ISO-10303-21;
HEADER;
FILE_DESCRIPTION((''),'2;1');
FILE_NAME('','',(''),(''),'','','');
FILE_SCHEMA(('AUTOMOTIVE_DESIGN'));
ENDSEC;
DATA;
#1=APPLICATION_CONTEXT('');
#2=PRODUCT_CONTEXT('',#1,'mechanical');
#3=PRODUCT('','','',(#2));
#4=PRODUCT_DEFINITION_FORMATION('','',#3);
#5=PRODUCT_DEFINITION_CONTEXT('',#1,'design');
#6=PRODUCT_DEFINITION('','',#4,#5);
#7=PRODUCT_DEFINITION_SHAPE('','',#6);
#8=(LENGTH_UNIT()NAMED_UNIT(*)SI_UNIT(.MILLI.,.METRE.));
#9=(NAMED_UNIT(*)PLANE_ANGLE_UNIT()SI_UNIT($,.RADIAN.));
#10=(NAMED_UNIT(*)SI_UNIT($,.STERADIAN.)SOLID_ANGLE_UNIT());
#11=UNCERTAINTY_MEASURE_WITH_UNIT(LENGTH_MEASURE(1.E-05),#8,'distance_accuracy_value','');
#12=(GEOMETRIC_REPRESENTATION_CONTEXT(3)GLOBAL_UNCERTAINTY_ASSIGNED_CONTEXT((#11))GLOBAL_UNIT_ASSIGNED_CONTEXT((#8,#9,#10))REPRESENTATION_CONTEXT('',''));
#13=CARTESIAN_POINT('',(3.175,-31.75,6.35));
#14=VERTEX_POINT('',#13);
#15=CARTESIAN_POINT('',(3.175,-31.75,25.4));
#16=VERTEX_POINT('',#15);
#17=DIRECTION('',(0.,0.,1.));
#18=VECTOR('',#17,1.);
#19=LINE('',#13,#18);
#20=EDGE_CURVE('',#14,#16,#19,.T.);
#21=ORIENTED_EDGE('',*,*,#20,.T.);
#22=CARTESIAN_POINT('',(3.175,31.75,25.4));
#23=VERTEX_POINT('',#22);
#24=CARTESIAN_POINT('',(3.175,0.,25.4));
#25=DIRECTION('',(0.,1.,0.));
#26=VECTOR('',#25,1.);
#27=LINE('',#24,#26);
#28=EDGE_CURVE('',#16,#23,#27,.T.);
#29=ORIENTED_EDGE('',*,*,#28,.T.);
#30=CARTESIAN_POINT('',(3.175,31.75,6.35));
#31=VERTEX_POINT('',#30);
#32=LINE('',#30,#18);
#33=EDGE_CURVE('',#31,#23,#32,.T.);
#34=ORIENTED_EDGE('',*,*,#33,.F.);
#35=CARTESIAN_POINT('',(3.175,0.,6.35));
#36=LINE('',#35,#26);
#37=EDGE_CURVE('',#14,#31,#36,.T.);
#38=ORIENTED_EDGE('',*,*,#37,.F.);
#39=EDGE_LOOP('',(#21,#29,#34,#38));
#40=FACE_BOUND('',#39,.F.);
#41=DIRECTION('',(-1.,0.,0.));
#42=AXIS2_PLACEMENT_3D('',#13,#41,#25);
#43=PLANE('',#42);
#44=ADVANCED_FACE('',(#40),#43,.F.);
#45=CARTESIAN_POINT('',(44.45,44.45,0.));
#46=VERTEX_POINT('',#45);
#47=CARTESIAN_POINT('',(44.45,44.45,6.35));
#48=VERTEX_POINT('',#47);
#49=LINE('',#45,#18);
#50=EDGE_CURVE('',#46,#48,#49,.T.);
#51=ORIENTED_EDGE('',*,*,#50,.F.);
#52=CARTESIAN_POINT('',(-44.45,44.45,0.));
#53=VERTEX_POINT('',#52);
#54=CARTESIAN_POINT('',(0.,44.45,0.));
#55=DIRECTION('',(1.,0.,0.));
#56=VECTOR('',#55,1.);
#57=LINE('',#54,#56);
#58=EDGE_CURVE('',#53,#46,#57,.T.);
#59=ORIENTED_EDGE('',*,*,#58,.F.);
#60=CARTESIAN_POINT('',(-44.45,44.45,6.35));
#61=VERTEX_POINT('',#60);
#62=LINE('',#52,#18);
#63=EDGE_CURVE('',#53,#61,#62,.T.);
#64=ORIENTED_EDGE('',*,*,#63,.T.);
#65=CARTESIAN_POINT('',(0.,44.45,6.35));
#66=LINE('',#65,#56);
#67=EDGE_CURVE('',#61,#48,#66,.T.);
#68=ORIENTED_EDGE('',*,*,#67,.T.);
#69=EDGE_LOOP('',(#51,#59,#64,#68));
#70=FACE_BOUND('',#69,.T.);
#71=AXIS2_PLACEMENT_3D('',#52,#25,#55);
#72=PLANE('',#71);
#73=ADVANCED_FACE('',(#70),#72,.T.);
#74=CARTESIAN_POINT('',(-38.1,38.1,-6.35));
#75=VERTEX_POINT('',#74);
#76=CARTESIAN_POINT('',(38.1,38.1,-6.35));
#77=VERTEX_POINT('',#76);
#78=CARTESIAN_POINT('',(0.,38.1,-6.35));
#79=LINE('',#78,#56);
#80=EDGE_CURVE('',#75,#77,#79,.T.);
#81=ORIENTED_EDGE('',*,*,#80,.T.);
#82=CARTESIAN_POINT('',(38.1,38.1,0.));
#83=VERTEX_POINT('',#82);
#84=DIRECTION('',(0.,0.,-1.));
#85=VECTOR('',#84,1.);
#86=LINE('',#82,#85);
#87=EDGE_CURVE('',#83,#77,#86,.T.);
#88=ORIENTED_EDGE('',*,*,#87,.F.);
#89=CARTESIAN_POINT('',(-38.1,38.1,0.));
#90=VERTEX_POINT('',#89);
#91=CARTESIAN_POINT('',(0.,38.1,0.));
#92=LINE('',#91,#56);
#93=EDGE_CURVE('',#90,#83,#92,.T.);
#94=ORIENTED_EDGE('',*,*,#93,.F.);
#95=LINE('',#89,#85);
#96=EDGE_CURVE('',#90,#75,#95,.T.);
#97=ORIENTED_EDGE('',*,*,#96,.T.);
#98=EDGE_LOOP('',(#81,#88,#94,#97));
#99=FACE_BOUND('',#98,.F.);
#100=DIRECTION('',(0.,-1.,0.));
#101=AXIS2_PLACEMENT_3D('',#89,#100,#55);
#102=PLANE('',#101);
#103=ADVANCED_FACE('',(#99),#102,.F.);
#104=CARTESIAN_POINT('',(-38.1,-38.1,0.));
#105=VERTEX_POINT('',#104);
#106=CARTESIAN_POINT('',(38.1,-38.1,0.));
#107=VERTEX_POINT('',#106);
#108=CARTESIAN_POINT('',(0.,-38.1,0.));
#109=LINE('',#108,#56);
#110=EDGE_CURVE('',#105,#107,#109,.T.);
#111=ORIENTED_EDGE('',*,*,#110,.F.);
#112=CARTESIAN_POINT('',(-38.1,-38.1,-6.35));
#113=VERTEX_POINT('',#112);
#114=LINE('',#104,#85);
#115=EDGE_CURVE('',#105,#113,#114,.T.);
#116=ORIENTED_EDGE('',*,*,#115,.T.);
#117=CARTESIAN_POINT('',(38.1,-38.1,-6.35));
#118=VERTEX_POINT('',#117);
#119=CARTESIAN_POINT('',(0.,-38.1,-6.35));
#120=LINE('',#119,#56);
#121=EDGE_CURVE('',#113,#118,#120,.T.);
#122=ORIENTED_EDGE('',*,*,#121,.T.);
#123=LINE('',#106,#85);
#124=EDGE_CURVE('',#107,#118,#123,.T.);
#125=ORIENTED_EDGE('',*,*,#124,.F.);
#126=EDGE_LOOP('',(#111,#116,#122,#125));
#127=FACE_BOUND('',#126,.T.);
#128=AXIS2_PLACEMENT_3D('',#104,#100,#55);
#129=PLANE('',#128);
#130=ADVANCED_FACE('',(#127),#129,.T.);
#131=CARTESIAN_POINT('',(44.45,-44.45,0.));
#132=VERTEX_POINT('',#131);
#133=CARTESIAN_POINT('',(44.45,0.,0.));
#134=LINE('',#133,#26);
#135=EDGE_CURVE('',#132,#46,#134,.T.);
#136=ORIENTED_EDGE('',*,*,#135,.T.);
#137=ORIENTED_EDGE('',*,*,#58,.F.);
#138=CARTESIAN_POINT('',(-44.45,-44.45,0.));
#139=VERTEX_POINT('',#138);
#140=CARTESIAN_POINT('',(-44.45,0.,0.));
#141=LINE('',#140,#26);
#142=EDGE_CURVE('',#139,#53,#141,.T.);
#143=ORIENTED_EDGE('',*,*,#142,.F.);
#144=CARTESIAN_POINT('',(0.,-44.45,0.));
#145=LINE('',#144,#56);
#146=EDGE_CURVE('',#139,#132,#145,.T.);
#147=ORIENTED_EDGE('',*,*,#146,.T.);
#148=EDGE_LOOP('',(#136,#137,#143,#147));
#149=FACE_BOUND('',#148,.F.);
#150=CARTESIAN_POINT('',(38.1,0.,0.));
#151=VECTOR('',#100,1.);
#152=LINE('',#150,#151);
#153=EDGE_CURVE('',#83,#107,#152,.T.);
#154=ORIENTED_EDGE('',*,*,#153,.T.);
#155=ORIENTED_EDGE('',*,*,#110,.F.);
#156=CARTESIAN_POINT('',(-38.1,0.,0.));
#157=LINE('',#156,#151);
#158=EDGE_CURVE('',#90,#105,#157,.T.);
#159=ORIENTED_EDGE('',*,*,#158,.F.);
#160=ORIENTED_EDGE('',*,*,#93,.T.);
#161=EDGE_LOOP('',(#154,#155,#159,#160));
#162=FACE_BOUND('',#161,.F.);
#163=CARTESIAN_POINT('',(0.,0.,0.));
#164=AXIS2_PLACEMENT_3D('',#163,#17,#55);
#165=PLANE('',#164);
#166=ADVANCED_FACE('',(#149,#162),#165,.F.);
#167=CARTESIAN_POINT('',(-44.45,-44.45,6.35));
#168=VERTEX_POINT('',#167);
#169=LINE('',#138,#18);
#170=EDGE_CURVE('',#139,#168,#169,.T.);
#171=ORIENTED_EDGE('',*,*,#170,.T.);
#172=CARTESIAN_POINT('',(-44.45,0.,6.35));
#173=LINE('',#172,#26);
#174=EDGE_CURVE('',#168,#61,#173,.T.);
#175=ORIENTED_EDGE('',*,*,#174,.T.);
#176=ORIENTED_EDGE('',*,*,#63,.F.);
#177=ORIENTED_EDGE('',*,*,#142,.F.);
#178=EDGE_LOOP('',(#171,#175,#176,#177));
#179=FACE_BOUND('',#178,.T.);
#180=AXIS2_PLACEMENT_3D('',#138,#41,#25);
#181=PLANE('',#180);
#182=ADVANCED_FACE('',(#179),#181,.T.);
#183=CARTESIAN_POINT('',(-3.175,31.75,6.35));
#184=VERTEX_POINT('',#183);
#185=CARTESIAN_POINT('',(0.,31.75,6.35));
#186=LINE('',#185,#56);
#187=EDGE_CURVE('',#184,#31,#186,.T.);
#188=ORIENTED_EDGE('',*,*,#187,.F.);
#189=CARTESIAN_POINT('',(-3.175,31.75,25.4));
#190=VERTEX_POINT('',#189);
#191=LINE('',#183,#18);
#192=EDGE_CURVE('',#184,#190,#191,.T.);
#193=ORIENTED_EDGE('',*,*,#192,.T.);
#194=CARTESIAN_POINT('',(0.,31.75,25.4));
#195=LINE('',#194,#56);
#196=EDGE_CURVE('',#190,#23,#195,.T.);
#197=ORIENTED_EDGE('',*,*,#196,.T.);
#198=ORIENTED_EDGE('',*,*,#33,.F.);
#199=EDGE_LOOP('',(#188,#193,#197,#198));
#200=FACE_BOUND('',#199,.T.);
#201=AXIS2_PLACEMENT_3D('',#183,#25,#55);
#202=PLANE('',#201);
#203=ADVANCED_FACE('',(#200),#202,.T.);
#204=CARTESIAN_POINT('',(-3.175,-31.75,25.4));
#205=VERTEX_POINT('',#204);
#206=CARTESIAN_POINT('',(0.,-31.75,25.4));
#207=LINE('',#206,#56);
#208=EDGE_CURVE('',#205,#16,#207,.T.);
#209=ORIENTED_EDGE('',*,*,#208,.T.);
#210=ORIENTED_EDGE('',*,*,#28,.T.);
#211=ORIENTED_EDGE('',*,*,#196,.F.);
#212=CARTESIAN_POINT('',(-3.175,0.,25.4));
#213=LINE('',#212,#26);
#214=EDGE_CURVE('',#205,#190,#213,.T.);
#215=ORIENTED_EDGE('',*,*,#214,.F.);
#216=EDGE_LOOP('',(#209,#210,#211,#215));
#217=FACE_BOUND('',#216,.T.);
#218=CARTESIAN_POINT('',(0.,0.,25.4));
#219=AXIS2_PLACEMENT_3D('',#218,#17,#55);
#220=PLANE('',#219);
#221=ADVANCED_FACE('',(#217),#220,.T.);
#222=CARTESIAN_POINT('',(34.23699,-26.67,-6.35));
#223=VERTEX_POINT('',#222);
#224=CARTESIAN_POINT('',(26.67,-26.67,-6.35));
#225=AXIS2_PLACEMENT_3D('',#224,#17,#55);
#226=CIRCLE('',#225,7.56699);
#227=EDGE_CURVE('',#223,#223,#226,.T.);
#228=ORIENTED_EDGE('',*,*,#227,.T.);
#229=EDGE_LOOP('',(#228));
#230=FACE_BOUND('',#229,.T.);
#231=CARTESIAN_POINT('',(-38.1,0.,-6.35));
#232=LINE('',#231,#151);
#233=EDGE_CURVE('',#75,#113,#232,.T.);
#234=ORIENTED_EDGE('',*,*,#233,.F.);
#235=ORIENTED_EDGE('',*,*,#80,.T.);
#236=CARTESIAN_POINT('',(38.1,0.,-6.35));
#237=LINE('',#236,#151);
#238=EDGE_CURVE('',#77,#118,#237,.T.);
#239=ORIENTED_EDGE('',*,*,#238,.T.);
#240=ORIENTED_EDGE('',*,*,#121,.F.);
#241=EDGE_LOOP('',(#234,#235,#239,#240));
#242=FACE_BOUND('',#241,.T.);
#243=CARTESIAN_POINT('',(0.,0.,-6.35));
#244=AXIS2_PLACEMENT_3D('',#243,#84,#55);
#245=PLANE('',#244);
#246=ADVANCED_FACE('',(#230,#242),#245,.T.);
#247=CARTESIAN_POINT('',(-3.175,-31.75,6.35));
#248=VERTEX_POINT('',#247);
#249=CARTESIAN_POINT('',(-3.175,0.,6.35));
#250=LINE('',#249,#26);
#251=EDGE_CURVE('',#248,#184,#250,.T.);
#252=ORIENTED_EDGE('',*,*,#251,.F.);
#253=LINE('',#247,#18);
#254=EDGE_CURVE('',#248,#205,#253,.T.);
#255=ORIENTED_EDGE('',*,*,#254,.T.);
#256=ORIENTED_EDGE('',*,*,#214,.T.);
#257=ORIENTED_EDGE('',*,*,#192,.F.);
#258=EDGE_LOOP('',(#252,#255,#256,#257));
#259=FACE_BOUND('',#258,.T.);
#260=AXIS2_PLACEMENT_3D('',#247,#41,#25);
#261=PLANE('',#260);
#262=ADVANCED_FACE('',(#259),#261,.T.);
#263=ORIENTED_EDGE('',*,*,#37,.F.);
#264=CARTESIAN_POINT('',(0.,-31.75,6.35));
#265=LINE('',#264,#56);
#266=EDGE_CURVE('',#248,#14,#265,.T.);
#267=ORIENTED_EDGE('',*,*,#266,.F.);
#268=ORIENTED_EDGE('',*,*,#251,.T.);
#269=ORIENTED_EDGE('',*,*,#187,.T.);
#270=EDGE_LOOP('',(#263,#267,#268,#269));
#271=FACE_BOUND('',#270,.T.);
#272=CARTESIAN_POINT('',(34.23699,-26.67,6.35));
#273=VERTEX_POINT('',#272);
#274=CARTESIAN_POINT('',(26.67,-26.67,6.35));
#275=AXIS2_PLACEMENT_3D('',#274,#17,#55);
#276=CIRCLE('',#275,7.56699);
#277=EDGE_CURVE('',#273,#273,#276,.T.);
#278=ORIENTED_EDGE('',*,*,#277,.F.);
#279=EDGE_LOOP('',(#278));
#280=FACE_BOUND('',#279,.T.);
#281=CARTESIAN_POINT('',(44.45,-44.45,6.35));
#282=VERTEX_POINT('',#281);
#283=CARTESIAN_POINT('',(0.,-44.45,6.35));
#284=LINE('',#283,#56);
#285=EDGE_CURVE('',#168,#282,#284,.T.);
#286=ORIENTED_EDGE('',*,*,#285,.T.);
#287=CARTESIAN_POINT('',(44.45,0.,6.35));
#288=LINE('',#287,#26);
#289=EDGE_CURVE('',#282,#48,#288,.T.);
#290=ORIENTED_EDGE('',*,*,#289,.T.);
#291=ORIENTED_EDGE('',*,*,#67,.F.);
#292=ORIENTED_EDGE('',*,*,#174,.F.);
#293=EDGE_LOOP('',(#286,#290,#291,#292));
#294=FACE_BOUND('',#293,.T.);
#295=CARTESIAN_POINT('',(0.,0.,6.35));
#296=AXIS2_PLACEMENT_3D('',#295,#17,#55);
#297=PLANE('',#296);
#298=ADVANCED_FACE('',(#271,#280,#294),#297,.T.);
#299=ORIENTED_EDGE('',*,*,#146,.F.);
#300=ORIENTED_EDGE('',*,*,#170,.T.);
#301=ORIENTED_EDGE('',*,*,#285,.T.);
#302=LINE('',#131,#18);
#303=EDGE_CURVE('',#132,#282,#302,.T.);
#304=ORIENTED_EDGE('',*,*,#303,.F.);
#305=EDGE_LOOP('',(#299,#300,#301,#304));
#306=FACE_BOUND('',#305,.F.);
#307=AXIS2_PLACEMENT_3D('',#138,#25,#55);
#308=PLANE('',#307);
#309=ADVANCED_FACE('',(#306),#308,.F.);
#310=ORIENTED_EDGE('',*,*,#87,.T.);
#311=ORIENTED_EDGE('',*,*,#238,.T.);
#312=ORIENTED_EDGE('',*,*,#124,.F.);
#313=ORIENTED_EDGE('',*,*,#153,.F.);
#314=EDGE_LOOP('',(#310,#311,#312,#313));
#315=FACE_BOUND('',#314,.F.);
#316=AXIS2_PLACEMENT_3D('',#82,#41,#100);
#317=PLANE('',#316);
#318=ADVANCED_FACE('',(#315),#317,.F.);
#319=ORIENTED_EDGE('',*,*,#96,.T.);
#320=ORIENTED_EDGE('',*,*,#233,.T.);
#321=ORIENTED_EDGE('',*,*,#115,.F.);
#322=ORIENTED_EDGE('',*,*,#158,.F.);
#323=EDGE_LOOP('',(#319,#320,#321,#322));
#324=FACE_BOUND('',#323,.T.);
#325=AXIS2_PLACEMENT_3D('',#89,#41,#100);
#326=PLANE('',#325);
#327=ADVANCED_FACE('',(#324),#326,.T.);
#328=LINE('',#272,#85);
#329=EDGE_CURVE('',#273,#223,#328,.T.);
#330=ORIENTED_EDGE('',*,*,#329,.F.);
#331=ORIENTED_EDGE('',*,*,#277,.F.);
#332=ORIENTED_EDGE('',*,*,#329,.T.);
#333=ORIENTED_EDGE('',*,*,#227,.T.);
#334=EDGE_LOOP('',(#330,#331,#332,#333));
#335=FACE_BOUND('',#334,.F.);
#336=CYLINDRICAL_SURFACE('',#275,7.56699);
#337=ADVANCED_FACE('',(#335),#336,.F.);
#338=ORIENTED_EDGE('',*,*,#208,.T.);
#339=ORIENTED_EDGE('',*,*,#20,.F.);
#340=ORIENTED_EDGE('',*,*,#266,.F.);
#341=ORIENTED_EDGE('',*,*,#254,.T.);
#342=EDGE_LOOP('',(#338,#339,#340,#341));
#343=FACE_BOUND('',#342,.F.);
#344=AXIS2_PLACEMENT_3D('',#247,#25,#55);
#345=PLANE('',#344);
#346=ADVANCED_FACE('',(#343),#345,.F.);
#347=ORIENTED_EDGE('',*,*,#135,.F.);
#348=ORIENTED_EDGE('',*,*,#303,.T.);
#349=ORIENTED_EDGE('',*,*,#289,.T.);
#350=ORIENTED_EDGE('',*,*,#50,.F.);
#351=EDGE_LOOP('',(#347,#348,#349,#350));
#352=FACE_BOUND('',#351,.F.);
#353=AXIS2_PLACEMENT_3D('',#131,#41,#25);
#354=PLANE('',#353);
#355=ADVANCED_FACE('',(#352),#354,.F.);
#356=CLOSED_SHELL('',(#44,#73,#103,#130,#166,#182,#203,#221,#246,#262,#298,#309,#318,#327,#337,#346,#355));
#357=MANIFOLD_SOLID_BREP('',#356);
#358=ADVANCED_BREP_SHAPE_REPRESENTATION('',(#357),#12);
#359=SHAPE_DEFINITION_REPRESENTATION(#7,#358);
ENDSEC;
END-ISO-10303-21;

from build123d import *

# Parameters (mm, degrees)
F0_W     = 88.9
F0_H     = 88.9
F1_DEPTH = 6.35
F2_W     = 76.2
F2_H     = 76.2
F3_DEPTH = 6.35
F4_W     = 6.35
F4_H     = 63.5
F5_DEPTH = 19.05
F6_R     = 7.56699
F7_DEPTH = 25.4


with BuildPart() as f1:
    # F0 (on Top) → F1 (new body)
    with BuildSketch(Plane.XY):
        Rectangle(F0_W, F0_H)
    extrude(amount=F1_DEPTH)

    # F2 (on face) → F3 (join)
    with BuildSketch(Plane(origin=(0, 0, 0), x_dir=(1, 0, 0), z_dir=(0, 0, -1))):
        Rectangle(F2_W, F2_H)
    extrude(amount=F3_DEPTH)

    # F4 (on face) → F5 (join)
    with BuildSketch(Plane.XY.offset(6.35)):
        Rectangle(F4_W, F4_H)
    extrude(amount=F5_DEPTH)

    # F6 (on face) → F7 (cut)
    with BuildSketch(Plane.XY.offset(6.35)):
        with Locations((26.67, -26.67)):
            Circle(F6_R)
    extrude(amount=-F7_DEPTH, mode=Mode.SUBTRACT)


solid = f1.part
